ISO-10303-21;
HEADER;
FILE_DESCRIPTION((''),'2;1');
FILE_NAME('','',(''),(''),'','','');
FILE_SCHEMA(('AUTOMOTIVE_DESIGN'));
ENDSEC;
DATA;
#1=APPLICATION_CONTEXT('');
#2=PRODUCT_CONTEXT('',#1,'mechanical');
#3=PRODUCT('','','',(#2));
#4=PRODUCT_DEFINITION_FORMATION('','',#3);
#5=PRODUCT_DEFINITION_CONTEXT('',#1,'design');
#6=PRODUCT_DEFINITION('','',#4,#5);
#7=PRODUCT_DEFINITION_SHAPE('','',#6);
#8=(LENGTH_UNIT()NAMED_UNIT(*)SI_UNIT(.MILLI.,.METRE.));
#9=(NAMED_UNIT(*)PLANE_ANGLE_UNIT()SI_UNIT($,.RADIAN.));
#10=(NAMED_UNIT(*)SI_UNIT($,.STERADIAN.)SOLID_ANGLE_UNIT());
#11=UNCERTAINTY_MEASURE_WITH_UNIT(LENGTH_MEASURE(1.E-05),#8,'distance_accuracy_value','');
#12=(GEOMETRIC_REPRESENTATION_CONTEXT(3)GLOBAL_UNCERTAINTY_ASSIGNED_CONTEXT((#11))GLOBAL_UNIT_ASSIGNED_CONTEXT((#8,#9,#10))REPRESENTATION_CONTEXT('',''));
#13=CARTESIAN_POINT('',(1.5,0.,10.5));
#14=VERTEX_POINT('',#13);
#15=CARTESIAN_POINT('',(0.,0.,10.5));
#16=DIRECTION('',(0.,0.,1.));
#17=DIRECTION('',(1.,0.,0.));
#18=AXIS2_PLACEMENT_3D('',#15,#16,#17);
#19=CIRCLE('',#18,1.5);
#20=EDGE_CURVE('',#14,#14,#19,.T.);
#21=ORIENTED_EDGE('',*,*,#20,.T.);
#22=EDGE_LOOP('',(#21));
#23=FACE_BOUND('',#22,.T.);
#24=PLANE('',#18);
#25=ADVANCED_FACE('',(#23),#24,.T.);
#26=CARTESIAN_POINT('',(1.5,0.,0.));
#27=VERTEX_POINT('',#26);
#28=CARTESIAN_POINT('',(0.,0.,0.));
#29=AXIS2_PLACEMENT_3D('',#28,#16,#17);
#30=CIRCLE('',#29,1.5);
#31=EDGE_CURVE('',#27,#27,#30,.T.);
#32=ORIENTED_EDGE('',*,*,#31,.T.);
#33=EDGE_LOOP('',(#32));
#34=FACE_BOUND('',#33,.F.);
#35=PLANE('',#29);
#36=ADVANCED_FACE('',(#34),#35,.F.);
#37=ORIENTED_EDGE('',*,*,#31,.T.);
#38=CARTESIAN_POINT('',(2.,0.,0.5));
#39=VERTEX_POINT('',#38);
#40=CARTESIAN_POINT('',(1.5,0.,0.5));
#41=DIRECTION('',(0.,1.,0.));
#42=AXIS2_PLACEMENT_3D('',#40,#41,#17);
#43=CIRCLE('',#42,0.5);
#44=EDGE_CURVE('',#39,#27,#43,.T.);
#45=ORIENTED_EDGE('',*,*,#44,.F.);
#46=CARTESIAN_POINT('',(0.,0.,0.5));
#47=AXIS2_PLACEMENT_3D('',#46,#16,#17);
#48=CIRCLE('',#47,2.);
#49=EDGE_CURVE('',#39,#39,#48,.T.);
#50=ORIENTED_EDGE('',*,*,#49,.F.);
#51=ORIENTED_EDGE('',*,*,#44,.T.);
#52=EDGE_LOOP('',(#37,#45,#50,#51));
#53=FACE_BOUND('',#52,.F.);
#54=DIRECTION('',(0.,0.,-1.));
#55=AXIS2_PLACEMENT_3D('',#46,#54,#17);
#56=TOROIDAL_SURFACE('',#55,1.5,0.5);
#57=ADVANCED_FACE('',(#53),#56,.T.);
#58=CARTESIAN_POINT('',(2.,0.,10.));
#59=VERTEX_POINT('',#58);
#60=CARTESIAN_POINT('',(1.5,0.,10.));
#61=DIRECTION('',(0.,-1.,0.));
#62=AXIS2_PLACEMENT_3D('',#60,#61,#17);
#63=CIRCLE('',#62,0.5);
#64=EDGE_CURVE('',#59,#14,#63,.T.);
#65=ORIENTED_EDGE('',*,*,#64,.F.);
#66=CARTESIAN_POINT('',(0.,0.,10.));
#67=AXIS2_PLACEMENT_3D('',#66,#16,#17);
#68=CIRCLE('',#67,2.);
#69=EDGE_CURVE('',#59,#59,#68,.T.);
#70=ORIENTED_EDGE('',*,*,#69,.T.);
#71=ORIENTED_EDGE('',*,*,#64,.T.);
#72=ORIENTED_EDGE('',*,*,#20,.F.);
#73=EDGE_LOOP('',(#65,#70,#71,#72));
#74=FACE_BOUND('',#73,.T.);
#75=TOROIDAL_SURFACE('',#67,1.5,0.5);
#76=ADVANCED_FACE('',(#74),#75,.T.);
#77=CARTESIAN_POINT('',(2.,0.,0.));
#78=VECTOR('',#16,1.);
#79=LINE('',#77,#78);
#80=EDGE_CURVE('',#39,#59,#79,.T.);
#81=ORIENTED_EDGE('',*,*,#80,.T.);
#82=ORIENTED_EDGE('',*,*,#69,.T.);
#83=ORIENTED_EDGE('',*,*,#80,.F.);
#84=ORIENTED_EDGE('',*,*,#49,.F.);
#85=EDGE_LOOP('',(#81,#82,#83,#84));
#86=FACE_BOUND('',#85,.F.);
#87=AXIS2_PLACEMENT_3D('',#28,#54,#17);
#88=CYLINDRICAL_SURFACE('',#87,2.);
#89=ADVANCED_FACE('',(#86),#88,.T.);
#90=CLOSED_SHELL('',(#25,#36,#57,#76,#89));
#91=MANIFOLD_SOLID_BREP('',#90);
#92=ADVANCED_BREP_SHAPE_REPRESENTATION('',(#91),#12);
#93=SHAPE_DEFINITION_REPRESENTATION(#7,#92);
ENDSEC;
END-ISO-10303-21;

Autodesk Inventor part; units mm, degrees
ref_plane "YZ Plane" through (0, 0, 0) normal (1, 0, 0) x (0, 1, 0)
ref_plane "XZ Plane" through (0, 0, 0) normal (0, 1, 0) x (-1, 0, 0)
ref_plane "XY Plane" through (0, 0, 0) normal (0, 0, 1) x (1, 0, 0)
sketch "Sketch1" plane through (0, 0, 0) normal (0, 0, 1) x (1, 0, 0)
  circle A0 centre (0, 0) radius 2
  dimension "d0" = 4
extrude "Extrusion1" add sketch "Sketch1" along normal blind 10.5
fillet "Fillet1" radius 0.5 2 edges at (-2, 0, 0) (-2, 0, 10.5)
properties part number "PP-14" material "Rubber"
